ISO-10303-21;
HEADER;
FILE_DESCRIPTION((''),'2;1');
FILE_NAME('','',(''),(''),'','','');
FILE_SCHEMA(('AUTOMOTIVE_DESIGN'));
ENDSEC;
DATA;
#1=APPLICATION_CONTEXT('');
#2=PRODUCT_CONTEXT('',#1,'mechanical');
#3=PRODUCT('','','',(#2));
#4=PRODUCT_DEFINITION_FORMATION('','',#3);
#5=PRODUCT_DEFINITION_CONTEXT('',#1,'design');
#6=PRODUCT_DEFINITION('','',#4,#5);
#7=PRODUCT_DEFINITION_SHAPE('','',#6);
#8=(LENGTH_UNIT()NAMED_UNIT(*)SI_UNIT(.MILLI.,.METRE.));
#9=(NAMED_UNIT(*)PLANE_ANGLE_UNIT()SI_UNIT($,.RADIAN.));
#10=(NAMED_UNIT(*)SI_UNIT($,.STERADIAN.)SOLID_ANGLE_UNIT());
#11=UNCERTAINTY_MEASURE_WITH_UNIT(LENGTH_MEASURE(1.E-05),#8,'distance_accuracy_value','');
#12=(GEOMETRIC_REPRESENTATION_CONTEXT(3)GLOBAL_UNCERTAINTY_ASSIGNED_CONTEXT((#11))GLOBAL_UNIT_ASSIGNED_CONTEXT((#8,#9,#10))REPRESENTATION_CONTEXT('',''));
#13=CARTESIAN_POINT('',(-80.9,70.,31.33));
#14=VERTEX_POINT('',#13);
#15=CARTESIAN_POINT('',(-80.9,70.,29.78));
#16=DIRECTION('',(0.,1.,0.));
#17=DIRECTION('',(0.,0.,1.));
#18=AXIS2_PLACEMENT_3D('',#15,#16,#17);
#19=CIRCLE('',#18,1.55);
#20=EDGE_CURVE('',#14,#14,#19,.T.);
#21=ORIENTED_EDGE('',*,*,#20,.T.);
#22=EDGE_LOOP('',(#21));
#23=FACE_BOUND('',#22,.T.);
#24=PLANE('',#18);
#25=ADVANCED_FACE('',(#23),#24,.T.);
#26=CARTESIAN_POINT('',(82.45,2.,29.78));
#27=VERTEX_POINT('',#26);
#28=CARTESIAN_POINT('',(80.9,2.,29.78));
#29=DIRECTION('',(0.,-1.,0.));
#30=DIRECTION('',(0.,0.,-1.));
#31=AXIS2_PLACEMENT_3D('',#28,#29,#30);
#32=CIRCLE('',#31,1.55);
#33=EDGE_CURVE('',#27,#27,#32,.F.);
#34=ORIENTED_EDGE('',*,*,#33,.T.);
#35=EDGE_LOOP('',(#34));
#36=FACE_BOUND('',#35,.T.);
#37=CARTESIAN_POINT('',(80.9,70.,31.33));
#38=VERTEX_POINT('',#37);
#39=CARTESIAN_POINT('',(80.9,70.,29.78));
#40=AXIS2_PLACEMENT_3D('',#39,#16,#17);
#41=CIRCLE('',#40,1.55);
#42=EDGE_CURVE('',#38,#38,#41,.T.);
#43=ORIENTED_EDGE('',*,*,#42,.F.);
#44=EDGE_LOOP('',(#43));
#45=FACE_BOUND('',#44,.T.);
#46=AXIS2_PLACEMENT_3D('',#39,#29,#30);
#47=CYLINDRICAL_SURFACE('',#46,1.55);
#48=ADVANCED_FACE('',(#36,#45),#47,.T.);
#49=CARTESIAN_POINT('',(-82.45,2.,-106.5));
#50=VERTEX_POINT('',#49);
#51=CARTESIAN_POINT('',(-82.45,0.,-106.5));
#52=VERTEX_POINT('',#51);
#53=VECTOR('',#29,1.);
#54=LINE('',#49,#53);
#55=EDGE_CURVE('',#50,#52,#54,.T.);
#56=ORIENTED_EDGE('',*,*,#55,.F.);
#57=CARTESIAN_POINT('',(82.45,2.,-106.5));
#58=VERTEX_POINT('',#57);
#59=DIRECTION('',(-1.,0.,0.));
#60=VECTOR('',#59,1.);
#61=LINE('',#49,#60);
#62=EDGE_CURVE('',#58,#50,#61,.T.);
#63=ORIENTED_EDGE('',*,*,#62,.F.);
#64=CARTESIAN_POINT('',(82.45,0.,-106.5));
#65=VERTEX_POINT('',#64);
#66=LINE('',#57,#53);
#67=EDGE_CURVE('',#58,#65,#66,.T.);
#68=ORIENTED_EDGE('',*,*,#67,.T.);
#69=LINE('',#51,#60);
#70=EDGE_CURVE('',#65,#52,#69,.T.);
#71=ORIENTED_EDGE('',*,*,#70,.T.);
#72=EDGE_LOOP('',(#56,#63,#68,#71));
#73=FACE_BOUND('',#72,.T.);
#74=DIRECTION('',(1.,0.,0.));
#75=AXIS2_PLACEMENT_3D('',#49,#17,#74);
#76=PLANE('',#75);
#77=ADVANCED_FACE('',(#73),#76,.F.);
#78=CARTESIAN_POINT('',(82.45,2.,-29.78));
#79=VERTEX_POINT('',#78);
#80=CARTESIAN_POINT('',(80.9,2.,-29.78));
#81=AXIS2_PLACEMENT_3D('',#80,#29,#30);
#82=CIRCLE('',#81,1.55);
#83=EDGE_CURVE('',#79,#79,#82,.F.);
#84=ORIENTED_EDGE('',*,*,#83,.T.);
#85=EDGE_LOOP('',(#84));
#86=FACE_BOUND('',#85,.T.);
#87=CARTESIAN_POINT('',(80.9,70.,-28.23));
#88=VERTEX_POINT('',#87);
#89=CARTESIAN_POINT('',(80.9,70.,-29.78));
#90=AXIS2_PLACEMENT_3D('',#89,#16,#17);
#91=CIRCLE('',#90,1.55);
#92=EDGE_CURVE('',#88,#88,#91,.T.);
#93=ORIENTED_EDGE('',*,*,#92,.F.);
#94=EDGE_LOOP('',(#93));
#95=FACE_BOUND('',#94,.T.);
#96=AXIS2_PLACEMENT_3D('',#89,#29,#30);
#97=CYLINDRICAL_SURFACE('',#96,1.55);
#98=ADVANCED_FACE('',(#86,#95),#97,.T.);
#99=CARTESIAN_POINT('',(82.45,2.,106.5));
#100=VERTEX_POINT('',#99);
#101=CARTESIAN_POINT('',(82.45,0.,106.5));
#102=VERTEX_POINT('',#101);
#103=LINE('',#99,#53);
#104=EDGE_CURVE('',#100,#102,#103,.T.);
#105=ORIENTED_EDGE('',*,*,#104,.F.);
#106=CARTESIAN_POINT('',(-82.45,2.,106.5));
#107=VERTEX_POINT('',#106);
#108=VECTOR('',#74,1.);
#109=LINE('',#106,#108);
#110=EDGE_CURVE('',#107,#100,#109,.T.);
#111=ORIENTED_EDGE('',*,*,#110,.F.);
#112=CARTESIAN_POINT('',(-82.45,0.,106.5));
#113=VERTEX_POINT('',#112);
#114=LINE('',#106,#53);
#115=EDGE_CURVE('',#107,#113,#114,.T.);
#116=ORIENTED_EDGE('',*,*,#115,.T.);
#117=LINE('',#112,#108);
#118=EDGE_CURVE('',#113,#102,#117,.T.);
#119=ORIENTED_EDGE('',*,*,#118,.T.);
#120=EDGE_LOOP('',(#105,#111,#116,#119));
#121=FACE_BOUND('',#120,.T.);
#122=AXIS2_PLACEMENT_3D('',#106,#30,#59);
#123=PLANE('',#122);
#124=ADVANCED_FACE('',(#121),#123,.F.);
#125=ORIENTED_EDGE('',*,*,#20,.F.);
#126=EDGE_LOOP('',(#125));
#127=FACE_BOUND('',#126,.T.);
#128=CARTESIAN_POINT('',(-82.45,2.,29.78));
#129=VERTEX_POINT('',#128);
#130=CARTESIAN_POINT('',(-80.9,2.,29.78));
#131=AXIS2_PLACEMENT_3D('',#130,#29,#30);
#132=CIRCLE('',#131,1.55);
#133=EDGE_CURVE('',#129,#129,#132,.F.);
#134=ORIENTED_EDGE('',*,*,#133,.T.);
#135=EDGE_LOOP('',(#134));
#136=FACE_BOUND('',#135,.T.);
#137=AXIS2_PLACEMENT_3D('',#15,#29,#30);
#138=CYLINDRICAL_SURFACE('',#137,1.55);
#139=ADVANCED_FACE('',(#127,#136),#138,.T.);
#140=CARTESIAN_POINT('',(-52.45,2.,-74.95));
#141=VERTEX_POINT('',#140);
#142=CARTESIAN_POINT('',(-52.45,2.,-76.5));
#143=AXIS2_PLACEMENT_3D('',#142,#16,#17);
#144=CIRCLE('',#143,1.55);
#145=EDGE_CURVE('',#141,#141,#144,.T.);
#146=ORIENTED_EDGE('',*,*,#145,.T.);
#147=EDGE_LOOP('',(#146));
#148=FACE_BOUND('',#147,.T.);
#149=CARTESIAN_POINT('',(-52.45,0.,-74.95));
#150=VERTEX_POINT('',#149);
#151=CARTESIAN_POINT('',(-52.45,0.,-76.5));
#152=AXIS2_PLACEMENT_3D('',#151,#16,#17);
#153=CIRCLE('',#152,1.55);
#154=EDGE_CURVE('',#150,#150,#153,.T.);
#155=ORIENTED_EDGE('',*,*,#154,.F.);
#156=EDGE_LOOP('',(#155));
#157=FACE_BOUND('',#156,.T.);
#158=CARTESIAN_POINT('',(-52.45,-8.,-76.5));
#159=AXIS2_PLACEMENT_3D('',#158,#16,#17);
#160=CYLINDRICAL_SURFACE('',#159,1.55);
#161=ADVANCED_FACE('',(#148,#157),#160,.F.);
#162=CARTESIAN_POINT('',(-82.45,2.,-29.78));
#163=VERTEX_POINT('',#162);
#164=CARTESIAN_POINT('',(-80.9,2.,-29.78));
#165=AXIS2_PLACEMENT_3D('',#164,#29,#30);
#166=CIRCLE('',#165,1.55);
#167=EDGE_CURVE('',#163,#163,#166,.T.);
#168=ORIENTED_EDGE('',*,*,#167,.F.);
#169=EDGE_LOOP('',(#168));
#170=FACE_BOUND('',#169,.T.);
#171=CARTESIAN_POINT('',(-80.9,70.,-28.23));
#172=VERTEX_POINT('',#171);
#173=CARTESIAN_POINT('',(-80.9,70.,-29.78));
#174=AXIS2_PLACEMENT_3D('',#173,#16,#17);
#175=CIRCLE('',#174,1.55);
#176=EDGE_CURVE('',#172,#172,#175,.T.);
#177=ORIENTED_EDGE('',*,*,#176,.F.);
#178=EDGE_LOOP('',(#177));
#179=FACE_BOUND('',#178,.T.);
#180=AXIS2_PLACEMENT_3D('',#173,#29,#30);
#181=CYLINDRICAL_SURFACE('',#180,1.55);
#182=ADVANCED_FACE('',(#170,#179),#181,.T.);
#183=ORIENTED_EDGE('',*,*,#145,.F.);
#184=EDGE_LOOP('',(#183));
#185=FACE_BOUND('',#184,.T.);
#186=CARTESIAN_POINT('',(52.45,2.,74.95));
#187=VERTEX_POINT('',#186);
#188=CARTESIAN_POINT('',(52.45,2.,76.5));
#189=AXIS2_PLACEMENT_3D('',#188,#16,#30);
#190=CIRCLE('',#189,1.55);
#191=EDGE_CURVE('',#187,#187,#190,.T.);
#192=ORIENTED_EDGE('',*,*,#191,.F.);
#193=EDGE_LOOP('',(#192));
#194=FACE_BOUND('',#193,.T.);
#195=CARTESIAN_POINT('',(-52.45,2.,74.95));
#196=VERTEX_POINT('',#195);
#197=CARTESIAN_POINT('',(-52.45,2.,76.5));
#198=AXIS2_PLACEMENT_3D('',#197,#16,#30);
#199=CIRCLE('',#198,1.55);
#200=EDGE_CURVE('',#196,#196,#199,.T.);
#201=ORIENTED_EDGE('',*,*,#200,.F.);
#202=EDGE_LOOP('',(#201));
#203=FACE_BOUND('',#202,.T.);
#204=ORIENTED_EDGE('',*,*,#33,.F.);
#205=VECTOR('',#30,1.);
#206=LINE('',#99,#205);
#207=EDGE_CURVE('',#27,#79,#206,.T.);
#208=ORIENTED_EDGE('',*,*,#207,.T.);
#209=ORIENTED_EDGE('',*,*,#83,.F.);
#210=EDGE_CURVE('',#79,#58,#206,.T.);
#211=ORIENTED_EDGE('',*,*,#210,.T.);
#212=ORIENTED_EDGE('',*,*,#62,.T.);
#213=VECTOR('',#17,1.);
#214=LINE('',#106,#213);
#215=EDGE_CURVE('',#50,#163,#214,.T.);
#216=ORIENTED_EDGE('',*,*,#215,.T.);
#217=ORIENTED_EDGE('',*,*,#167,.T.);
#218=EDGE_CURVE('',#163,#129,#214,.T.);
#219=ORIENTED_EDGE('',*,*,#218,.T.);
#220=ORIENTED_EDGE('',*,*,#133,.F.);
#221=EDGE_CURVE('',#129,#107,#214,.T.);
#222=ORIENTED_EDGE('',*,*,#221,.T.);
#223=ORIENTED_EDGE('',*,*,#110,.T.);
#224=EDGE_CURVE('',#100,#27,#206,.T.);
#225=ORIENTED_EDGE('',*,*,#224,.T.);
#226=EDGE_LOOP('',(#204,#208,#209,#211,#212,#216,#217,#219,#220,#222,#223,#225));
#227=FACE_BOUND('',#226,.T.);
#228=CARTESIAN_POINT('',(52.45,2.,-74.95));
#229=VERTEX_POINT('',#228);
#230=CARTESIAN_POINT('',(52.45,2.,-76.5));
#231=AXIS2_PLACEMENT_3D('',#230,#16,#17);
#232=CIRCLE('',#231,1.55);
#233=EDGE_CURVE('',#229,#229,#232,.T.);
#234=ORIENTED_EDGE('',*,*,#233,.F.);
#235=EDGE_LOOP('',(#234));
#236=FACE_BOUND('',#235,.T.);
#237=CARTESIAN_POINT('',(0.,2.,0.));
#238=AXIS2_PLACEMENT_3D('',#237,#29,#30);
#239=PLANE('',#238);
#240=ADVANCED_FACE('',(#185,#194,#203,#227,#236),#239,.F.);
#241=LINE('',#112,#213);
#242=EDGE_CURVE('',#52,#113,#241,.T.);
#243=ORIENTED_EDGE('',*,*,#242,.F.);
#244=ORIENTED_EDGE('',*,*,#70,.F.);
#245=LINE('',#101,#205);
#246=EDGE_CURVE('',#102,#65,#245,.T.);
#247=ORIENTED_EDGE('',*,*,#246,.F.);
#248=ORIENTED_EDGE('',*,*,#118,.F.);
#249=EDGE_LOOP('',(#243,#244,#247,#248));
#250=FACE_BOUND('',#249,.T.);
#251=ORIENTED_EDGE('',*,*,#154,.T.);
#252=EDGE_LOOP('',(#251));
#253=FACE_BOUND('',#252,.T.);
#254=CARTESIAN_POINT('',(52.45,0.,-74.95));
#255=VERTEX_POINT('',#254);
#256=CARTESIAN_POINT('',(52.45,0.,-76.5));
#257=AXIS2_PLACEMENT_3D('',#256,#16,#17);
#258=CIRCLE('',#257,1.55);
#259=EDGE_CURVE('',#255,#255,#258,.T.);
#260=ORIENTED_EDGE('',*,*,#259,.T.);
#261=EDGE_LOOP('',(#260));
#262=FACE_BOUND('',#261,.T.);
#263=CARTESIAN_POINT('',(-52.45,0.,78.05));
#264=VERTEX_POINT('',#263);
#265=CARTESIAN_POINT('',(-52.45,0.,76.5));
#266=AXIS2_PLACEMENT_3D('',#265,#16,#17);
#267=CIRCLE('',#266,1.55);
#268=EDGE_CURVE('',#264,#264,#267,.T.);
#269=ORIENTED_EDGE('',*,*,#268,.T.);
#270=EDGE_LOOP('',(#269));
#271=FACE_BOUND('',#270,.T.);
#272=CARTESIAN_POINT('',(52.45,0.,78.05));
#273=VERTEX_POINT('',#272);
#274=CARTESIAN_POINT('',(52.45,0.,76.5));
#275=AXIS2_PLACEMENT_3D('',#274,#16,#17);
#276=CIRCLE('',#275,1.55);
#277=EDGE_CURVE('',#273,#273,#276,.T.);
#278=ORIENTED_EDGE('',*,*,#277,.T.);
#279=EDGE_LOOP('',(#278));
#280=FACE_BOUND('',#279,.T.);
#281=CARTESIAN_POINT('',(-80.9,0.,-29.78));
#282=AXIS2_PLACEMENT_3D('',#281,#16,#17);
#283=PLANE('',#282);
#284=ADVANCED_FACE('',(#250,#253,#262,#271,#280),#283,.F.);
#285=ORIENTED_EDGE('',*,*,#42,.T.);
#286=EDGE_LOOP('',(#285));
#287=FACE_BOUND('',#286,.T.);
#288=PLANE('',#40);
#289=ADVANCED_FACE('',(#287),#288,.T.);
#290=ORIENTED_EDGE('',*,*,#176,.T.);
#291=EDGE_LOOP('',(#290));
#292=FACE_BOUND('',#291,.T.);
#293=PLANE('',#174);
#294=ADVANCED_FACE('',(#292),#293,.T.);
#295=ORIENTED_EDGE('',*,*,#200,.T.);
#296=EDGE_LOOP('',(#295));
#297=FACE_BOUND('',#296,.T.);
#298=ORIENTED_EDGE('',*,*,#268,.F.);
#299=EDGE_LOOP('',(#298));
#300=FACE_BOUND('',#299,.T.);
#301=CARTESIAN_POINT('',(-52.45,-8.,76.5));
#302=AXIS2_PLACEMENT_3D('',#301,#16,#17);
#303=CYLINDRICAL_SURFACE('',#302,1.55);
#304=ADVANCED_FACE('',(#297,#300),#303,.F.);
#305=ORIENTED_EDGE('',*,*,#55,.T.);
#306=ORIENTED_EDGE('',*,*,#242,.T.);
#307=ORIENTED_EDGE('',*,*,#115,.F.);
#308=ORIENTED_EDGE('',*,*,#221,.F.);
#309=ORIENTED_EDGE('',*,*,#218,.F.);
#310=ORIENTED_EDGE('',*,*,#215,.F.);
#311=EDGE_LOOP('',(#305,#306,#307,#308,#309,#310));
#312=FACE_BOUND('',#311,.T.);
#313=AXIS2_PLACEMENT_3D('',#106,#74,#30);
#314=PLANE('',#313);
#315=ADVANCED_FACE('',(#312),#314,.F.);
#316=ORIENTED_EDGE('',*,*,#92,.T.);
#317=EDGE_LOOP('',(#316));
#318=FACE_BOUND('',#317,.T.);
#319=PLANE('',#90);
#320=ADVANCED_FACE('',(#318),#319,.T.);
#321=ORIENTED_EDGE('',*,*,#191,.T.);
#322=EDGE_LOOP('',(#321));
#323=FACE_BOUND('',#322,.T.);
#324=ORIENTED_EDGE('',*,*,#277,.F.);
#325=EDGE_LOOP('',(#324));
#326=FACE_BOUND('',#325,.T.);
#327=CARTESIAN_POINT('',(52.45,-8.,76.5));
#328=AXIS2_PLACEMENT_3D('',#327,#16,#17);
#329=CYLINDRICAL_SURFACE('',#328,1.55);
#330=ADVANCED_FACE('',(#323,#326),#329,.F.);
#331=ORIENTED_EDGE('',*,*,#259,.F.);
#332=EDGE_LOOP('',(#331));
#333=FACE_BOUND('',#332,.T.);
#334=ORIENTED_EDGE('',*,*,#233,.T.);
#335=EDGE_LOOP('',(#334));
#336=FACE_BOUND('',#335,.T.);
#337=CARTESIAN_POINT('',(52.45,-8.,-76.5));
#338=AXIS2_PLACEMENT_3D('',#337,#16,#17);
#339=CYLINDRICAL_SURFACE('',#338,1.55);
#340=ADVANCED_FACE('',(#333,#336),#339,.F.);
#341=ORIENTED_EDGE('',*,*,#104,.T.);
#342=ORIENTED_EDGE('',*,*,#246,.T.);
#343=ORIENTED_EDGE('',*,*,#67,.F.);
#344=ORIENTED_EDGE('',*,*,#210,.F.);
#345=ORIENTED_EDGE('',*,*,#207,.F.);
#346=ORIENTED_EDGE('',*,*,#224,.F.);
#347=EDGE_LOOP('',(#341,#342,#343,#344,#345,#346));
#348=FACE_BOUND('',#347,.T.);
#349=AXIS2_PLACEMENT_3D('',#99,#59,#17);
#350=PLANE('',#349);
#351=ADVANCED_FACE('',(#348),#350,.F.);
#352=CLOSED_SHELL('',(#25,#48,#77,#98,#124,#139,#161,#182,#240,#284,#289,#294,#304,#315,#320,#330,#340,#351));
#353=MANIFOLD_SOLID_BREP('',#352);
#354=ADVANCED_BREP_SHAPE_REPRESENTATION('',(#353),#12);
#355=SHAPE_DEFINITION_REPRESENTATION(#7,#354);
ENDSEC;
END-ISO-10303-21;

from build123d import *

# Parameters (mm, degrees)
SKETCH1_R             = 1.55
BOSS_EXTRUDE1_DEPTH   = 70
BOSS_EXTRUDE1_2_DEPTH = 70
BOSS_EXTRUDE1_3_DEPTH = 70
BOSS_EXTRUDE1_4_DEPTH = 70
SKETCH2_W             = 164.9
SKETCH2_H             = 213
BOSS_EXTRUDE2_DEPTH   = 2
SKETCH3_R             = 1.55
CUT_EXTRUDE1_DEPTH    = 10


with BuildPart() as part:
    # Sketch1 → Boss-Extrude1 (new body)
    with BuildSketch(Plane(origin=(0, 0, 0), x_dir=(1, 0, 0), z_dir=(0, 1, 0))):
        with Locations(Location((-80.9, 29.78, 0), (0, 0, 270))):
            Circle(SKETCH1_R)
    extrude(amount=BOSS_EXTRUDE1_DEPTH)



with BuildPart() as body_2:
    # Sketch1 → Boss-Extrude1 2 (new body)
    with BuildSketch(Plane(origin=(0, 0, 0), x_dir=(1, 0, 0), z_dir=(0, 1, 0))):
        with Locations(Location((-80.9, -29.78, 0), (0, 0, 270))):
            Circle(SKETCH1_R)
    extrude(amount=BOSS_EXTRUDE1_2_DEPTH)


with BuildPart() as body_3:
    # Sketch1 → Boss-Extrude1 3 (new body)
    with BuildSketch(Plane(origin=(0, 0, 0), x_dir=(1, 0, 0), z_dir=(0, 1, 0))):
        with Locations(Location((80.9, 29.78, 0), (0, 0, 270))):
            Circle(SKETCH1_R)
    extrude(amount=BOSS_EXTRUDE1_3_DEPTH)


with BuildPart() as body_4:
    # Sketch1 → Boss-Extrude1 4 (new body)
    with BuildSketch(Plane(origin=(0, 0, 0), x_dir=(1, 0, 0), z_dir=(0, 1, 0))):
        with Locations(Location((80.9, -29.78, 0), (0, 0, 270))):
            Circle(SKETCH1_R)
    extrude(amount=BOSS_EXTRUDE1_4_DEPTH)


with BuildPart() as part_1:
    add(part.part)

    add(body_2.part)  # Boss-Extrude2 merges body 2

    add(body_3.part)  # Boss-Extrude2 merges body 3

    add(body_4.part)  # Boss-Extrude2 merges body 4
    # Sketch2 → Boss-Extrude2 (add)
    with BuildSketch(Plane(origin=(0, 0, 0), x_dir=(1, 0, 0), z_dir=(0, 1, 0))):
        Rectangle(SKETCH2_W, SKETCH2_H)
    extrude(amount=BOSS_EXTRUDE2_DEPTH)

    # Sketch3 → Cut-Extrude1 (cut)
    with BuildSketch(Plane(origin=(0, 2, 0), x_dir=(1, 0, 0), z_dir=(0, 1, 0))):
        with Locations(Location((-52.45, 76.5, 0), (0, 0, 270))):
            Circle(SKETCH3_R)
        with Locations(Location((52.45, 76.5, 0), (0, 0, 270))):
            Circle(SKETCH3_R)
        with Locations(Location((52.45, -76.5, 0), (0, 0, 270))):
            Circle(SKETCH3_R)
        with Locations(Location((-52.45, -76.5, 0), (0, 0, 270))):
            Circle(SKETCH3_R)
    extrude(amount=-CUT_EXTRUDE1_DEPTH, mode=Mode.SUBTRACT)


solid = part_1.part
